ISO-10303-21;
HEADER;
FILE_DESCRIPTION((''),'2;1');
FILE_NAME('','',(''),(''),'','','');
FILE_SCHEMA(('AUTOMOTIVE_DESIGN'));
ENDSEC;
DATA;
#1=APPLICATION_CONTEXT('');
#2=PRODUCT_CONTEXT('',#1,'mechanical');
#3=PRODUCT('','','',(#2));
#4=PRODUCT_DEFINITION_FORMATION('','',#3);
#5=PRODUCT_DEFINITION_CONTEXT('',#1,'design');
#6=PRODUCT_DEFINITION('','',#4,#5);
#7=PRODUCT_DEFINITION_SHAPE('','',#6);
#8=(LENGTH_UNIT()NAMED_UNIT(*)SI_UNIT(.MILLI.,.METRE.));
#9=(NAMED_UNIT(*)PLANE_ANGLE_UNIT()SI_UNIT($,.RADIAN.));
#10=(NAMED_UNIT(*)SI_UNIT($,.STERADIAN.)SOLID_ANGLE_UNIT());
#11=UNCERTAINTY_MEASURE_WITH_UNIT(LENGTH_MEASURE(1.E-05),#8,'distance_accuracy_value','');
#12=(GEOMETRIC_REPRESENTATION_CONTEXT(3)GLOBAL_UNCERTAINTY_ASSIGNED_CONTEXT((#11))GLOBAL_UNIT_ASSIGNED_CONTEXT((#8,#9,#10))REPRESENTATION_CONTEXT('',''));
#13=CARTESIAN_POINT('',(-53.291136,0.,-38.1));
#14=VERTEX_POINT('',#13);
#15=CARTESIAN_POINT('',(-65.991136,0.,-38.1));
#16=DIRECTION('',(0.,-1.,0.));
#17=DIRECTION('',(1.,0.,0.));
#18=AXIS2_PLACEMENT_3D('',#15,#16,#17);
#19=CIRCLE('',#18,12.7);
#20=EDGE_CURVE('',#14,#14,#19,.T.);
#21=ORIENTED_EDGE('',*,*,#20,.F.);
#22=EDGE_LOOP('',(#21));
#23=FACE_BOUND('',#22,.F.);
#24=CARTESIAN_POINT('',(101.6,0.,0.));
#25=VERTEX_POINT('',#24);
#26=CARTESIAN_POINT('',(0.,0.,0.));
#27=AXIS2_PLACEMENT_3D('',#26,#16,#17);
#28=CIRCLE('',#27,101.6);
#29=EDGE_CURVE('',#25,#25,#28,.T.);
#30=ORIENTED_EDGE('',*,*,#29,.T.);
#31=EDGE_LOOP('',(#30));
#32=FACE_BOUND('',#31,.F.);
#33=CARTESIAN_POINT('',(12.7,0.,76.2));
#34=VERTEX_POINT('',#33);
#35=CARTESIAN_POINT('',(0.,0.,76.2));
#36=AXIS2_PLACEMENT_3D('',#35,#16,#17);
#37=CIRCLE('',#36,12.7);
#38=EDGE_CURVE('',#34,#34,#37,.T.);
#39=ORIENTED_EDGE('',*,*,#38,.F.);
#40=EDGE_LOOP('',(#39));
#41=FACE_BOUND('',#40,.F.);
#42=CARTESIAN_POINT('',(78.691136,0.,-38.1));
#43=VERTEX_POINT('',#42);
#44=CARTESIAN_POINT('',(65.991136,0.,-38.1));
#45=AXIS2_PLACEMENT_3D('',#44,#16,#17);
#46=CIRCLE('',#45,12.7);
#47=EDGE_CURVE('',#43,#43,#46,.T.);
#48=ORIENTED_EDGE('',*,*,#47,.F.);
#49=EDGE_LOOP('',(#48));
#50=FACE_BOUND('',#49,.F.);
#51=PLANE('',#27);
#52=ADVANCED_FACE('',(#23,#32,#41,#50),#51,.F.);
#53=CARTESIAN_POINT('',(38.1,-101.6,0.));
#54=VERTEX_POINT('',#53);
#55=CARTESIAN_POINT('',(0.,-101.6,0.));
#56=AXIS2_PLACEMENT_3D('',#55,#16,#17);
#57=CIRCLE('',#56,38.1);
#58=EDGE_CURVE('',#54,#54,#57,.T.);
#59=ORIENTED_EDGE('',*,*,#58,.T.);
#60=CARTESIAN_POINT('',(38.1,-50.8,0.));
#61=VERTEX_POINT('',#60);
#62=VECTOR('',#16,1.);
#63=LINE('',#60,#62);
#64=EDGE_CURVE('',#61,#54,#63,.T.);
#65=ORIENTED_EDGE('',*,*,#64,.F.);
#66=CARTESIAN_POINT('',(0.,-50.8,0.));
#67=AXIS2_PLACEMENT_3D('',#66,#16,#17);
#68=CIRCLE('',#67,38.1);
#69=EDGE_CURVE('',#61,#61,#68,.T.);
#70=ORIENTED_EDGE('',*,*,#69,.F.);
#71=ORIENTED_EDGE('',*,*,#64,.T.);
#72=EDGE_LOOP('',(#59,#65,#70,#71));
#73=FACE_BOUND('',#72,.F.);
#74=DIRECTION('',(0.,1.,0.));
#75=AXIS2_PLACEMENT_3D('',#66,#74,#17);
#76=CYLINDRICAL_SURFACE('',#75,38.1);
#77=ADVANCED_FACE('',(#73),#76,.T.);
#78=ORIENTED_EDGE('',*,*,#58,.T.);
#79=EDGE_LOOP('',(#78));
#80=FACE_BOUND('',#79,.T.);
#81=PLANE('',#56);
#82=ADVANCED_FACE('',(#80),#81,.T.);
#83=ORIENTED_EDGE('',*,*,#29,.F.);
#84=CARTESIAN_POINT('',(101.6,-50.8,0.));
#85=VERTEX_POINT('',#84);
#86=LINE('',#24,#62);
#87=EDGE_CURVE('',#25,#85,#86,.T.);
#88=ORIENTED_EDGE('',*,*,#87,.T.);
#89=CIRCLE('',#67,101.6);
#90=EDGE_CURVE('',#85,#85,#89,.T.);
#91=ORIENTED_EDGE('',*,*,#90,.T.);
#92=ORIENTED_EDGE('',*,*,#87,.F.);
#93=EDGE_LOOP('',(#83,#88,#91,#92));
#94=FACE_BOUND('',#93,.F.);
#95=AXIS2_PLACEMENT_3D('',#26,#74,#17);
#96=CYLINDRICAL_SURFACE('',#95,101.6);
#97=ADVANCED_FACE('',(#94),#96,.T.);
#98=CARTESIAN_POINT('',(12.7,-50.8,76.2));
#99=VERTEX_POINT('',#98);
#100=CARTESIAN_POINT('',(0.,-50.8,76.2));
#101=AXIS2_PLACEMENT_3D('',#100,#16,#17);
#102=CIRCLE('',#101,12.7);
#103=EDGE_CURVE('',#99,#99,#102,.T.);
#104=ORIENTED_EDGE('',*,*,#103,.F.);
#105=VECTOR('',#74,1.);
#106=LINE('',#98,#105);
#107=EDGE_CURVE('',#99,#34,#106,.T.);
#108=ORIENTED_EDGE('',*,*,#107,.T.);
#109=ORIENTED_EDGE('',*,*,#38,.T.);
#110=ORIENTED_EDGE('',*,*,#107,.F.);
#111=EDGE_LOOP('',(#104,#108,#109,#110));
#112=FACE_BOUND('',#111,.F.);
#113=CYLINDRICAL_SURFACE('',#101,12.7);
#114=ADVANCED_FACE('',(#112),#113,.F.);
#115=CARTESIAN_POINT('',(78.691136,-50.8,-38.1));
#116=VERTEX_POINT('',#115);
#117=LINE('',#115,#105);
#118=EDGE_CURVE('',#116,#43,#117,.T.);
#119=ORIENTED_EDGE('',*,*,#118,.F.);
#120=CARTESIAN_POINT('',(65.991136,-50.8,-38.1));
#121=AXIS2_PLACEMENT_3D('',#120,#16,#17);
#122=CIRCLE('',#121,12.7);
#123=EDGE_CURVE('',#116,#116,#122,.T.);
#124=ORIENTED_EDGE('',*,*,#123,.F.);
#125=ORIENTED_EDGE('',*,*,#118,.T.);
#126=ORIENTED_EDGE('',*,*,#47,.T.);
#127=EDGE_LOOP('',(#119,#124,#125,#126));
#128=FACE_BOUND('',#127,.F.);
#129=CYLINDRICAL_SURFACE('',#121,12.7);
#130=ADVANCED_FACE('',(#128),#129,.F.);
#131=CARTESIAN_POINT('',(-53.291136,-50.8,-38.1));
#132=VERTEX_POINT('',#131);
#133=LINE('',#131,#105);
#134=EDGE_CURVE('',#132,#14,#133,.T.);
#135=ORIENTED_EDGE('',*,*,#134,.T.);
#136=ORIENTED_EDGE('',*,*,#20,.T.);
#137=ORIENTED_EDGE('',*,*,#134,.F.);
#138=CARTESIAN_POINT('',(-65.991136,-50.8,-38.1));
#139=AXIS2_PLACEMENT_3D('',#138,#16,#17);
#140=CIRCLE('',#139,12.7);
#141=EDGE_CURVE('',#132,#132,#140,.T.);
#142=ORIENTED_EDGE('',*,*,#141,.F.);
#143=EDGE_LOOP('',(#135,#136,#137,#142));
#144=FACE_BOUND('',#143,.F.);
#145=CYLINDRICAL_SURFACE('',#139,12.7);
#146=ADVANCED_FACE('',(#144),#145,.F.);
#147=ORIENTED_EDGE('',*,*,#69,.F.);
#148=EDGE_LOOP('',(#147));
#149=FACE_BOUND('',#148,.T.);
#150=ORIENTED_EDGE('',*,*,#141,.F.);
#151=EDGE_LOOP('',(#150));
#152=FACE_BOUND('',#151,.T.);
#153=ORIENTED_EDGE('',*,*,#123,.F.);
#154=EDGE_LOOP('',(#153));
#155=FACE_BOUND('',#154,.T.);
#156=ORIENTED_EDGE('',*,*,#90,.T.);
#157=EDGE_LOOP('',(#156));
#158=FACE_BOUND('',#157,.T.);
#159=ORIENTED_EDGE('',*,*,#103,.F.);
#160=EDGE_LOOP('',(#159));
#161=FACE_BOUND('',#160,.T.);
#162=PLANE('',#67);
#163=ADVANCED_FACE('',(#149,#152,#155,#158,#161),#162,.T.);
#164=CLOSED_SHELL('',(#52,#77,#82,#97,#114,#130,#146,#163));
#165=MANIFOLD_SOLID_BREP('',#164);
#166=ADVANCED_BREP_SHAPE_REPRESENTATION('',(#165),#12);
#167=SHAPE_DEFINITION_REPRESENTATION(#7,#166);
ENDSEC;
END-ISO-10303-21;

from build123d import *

# Parameters (mm, degrees)
F0_R     = 101.6
F1_DEPTH = 50.8
F2_R     = 38.1
F3_DEPTH = 50.8
F4_R     = 12.7
F5_DEPTH = 87.376


with BuildPart() as f1:
    # F0 (on Front) → F1 (new body)
    with BuildSketch(Plane.XZ):
        Circle(F0_R)
    extrude(amount=F1_DEPTH)

    # F2 (on face) → F3 (join)
    with BuildSketch(Plane.XZ.offset(50.8)):
        Circle(F2_R)
    extrude(amount=F3_DEPTH)

    # F4 (on face) → F5 (cut)
    with BuildSketch(Plane.XZ.offset(50.8)):
        with Locations((0, 76.2)):
            Circle(F4_R)
        with Locations((-65.991136, -38.1)):
            Circle(F4_R)
        with Locations((65.991136, -38.1)):
            Circle(F4_R)
    extrude(amount=-F5_DEPTH, mode=Mode.SUBTRACT)


solid = f1.part
